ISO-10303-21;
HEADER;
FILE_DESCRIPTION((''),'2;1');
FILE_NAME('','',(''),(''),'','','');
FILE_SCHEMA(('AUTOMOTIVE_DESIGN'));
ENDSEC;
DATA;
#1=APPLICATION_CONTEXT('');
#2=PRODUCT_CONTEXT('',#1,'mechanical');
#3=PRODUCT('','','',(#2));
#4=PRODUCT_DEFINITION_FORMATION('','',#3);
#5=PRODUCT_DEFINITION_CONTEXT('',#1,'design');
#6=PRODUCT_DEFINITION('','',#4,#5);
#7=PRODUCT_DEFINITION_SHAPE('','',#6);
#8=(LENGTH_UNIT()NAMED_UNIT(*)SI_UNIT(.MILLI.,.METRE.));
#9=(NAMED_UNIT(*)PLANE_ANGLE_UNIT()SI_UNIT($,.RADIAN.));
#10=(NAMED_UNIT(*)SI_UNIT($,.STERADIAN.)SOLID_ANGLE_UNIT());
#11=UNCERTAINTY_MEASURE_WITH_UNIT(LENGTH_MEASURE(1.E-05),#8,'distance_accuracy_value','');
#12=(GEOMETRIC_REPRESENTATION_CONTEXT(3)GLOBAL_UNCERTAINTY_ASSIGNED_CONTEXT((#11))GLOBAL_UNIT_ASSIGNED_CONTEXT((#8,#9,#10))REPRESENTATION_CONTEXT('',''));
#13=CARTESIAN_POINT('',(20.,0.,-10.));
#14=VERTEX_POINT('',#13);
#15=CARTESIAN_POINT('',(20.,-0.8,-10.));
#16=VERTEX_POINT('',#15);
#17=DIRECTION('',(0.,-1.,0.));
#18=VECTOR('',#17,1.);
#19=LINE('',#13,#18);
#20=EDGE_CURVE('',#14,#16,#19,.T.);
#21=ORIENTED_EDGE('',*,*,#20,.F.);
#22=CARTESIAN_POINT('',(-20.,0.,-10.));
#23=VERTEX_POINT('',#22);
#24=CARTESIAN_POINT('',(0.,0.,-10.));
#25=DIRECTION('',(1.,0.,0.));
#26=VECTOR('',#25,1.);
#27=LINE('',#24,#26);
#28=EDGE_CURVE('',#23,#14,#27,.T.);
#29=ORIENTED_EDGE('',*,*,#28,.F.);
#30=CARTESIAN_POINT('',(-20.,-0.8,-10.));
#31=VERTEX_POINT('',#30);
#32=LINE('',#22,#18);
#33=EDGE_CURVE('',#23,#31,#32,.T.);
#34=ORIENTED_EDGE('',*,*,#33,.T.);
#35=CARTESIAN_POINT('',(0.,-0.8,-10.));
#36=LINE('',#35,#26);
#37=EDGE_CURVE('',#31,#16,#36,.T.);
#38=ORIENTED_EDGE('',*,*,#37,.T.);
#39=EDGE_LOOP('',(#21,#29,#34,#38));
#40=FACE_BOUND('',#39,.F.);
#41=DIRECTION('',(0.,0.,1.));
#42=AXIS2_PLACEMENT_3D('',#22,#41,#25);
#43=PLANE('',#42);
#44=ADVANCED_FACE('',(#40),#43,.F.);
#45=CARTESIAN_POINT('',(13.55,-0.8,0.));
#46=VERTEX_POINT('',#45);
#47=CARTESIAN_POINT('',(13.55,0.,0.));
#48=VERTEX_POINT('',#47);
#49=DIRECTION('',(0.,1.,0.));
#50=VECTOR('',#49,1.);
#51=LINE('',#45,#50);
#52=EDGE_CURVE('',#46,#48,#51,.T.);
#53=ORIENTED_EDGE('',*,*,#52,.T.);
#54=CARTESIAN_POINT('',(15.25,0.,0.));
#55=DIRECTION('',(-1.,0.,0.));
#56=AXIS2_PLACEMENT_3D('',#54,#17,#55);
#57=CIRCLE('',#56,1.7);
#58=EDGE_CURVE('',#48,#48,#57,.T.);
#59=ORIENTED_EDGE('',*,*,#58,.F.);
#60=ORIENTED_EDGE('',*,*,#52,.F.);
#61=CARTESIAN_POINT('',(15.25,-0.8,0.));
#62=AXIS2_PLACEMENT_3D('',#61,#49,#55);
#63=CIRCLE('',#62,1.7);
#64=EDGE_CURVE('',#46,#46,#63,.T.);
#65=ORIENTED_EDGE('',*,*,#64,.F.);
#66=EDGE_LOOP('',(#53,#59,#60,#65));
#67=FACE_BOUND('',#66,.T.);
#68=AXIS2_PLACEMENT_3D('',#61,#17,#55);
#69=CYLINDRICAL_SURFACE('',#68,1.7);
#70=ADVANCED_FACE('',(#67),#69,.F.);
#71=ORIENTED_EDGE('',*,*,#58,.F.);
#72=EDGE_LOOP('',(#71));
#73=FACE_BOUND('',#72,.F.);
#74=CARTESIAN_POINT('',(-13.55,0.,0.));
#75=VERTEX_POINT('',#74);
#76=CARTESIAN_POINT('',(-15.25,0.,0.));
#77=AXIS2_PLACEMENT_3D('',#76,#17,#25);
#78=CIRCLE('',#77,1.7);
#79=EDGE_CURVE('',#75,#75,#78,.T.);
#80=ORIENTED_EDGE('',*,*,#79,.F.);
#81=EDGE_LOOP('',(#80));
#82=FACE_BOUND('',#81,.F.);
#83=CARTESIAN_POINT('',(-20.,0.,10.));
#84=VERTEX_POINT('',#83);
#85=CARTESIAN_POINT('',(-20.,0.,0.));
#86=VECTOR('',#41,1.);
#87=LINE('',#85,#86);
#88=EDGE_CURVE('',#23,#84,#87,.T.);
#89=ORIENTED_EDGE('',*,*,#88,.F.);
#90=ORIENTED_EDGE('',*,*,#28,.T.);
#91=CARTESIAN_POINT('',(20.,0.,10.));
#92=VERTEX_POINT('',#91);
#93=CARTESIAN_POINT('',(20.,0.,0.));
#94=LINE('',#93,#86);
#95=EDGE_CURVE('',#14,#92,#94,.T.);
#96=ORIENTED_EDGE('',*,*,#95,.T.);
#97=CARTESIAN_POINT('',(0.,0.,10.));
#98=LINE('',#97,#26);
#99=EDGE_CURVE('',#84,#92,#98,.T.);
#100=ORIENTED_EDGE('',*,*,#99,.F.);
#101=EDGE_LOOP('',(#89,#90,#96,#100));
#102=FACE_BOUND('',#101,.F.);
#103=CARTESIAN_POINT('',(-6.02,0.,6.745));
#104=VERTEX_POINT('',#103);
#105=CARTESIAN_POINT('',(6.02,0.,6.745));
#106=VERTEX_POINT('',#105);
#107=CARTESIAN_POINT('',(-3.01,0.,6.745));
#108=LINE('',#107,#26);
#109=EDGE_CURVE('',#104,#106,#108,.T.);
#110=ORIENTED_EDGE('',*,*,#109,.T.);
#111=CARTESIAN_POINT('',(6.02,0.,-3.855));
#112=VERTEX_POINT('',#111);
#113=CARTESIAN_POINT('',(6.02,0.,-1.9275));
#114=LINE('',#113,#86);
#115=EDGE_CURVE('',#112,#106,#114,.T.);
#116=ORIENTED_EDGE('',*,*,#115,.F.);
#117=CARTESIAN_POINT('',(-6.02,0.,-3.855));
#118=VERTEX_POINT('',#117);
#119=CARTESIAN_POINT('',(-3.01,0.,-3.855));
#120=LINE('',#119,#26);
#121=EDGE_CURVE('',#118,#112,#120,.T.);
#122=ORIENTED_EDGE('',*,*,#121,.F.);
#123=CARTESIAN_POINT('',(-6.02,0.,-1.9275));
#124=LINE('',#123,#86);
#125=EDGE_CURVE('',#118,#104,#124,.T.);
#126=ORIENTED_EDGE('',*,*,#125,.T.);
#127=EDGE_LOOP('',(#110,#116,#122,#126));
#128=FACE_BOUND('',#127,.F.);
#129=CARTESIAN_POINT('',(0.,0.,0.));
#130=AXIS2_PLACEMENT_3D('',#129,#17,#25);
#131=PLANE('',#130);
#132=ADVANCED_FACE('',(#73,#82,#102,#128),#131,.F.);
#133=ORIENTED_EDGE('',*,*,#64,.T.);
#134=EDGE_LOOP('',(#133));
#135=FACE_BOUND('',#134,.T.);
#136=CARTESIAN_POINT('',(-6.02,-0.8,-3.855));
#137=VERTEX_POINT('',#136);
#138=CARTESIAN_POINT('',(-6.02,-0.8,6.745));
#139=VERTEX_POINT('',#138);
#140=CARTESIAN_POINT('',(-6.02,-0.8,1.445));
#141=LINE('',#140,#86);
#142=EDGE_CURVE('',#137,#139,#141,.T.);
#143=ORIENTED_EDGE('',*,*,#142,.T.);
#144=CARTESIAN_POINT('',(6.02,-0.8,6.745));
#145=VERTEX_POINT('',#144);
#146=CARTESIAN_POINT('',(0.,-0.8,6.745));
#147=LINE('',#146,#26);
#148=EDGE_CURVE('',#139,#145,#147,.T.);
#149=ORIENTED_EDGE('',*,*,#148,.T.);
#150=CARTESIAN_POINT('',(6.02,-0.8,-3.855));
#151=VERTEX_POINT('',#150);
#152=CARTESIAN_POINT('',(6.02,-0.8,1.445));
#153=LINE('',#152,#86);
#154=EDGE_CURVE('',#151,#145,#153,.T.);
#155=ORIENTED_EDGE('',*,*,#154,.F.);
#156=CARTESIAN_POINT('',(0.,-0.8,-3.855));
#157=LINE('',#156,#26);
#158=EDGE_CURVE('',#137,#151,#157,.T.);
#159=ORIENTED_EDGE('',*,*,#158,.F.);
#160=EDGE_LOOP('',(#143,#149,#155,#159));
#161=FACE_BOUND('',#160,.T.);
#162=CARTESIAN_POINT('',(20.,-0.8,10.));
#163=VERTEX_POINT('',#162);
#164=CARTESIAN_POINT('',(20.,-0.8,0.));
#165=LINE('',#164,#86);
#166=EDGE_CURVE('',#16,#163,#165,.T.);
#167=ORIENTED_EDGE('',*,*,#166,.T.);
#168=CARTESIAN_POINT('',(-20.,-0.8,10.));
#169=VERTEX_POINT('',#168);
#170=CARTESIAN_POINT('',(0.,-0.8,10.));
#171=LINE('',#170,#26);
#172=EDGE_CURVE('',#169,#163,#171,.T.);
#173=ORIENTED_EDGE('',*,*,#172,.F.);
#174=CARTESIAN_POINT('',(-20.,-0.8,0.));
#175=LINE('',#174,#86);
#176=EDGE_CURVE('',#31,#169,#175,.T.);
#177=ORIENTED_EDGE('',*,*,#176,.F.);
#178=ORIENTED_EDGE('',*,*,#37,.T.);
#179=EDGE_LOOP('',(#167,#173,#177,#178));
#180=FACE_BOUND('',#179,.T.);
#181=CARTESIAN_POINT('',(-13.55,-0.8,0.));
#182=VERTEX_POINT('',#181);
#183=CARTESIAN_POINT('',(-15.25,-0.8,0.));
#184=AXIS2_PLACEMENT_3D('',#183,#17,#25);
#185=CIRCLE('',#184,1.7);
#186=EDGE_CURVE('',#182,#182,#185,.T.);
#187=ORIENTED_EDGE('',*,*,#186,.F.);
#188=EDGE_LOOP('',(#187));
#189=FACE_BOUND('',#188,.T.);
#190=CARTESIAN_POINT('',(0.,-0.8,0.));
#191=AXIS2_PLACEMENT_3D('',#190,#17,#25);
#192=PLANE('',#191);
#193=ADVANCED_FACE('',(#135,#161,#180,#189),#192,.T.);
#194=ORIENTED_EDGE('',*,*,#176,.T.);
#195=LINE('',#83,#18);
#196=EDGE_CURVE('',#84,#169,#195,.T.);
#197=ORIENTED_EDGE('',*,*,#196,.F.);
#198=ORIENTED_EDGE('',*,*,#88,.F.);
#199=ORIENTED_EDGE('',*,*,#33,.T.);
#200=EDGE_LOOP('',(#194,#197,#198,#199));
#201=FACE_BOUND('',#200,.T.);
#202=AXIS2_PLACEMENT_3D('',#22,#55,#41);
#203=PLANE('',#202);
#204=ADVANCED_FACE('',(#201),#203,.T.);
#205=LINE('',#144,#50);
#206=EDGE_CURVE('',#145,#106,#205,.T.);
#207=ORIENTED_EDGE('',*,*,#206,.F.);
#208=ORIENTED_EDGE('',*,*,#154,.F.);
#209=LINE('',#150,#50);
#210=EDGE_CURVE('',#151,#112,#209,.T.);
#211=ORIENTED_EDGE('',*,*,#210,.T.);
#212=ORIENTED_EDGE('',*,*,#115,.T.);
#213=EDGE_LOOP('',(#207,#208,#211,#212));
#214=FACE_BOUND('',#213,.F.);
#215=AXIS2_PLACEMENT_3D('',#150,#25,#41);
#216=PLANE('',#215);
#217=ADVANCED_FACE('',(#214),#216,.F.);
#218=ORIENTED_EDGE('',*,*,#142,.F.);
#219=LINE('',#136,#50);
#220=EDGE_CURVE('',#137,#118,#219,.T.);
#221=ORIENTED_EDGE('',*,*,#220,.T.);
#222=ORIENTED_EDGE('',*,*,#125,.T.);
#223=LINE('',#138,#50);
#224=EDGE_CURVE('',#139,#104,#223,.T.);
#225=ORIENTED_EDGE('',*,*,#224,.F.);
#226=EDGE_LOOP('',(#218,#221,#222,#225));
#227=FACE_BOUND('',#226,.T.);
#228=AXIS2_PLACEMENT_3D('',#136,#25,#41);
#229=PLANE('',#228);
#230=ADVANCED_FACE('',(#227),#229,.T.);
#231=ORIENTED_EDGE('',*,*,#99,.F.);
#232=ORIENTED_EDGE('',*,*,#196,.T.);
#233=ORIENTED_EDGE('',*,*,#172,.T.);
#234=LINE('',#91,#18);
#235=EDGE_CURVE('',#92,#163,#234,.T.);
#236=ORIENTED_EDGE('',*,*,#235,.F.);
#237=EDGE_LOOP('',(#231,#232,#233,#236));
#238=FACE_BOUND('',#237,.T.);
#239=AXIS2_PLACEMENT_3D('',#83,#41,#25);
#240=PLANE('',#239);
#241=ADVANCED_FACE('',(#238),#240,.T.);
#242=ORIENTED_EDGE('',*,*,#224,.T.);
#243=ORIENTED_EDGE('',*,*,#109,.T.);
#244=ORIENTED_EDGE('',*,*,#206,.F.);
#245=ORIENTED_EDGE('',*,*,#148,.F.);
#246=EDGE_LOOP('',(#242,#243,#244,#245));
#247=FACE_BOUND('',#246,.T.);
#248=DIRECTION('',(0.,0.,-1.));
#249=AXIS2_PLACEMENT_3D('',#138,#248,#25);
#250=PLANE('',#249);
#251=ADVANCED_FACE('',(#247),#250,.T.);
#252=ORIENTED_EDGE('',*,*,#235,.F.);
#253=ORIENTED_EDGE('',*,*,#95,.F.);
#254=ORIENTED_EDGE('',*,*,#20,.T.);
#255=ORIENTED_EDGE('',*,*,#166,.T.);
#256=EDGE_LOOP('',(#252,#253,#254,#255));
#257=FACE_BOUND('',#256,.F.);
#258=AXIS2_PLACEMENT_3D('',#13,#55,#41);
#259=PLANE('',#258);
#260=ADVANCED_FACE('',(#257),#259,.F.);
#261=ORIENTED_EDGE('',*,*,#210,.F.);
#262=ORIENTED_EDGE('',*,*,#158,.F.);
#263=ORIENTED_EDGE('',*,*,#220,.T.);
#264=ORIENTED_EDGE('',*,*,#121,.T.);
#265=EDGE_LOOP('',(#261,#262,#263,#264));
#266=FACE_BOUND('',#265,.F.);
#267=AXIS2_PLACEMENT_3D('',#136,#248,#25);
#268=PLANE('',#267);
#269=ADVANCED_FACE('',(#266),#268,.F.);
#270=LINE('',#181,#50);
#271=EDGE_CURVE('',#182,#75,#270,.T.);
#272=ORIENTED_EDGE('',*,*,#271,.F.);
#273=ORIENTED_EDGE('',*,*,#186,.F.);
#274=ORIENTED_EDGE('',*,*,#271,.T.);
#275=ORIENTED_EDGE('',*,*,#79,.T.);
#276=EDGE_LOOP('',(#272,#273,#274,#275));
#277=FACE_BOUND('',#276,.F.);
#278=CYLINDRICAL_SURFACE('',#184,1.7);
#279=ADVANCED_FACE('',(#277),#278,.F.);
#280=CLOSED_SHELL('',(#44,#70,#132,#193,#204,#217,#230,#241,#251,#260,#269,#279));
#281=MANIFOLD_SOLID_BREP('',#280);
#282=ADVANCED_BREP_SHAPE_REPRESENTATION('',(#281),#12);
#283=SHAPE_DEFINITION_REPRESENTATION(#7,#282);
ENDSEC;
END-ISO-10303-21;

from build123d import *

# Parameters (mm, degrees)
SKETCH_W        = 40
SKETCH_H        = 20
PAD_DEPTH       = 0.8
SKETCH001_R     = 1.7
POCKET_DEPTH    = 90.258029
SKETCH002_W     = 12.04
SKETCH002_H     = 10.6
POCKET001_DEPTH = 0.801


with BuildPart() as part:
    # Sketch → Pad (new body)
    with BuildSketch(Plane.XZ):
        Rectangle(SKETCH_W, SKETCH_H)
    extrude(amount=PAD_DEPTH)

    # Sketch001 (on Face6 of Pad) → Pocket (cut, through all)
    with BuildSketch(Plane.XZ.offset(0.8)):
        with Locations((-15.25, 0)):
            Circle(SKETCH001_R)
    pocket = extrude(amount=-POCKET_DEPTH, mode=Mode.SUBTRACT)

    # Mirrored: Pocket across YZ
    add(pocket.mirror(Plane.YZ), mode=Mode.SUBTRACT)

    # Sketch002 (on Face5 of Mirrored) → Pocket001 (cut, through all)
    with BuildSketch(Plane.XZ.offset(0.8)):
        with Locations((0, 1.445)):
            Rectangle(SKETCH002_W, SKETCH002_H)
    extrude(amount=-POCKET001_DEPTH, mode=Mode.SUBTRACT)


solid = part.part
